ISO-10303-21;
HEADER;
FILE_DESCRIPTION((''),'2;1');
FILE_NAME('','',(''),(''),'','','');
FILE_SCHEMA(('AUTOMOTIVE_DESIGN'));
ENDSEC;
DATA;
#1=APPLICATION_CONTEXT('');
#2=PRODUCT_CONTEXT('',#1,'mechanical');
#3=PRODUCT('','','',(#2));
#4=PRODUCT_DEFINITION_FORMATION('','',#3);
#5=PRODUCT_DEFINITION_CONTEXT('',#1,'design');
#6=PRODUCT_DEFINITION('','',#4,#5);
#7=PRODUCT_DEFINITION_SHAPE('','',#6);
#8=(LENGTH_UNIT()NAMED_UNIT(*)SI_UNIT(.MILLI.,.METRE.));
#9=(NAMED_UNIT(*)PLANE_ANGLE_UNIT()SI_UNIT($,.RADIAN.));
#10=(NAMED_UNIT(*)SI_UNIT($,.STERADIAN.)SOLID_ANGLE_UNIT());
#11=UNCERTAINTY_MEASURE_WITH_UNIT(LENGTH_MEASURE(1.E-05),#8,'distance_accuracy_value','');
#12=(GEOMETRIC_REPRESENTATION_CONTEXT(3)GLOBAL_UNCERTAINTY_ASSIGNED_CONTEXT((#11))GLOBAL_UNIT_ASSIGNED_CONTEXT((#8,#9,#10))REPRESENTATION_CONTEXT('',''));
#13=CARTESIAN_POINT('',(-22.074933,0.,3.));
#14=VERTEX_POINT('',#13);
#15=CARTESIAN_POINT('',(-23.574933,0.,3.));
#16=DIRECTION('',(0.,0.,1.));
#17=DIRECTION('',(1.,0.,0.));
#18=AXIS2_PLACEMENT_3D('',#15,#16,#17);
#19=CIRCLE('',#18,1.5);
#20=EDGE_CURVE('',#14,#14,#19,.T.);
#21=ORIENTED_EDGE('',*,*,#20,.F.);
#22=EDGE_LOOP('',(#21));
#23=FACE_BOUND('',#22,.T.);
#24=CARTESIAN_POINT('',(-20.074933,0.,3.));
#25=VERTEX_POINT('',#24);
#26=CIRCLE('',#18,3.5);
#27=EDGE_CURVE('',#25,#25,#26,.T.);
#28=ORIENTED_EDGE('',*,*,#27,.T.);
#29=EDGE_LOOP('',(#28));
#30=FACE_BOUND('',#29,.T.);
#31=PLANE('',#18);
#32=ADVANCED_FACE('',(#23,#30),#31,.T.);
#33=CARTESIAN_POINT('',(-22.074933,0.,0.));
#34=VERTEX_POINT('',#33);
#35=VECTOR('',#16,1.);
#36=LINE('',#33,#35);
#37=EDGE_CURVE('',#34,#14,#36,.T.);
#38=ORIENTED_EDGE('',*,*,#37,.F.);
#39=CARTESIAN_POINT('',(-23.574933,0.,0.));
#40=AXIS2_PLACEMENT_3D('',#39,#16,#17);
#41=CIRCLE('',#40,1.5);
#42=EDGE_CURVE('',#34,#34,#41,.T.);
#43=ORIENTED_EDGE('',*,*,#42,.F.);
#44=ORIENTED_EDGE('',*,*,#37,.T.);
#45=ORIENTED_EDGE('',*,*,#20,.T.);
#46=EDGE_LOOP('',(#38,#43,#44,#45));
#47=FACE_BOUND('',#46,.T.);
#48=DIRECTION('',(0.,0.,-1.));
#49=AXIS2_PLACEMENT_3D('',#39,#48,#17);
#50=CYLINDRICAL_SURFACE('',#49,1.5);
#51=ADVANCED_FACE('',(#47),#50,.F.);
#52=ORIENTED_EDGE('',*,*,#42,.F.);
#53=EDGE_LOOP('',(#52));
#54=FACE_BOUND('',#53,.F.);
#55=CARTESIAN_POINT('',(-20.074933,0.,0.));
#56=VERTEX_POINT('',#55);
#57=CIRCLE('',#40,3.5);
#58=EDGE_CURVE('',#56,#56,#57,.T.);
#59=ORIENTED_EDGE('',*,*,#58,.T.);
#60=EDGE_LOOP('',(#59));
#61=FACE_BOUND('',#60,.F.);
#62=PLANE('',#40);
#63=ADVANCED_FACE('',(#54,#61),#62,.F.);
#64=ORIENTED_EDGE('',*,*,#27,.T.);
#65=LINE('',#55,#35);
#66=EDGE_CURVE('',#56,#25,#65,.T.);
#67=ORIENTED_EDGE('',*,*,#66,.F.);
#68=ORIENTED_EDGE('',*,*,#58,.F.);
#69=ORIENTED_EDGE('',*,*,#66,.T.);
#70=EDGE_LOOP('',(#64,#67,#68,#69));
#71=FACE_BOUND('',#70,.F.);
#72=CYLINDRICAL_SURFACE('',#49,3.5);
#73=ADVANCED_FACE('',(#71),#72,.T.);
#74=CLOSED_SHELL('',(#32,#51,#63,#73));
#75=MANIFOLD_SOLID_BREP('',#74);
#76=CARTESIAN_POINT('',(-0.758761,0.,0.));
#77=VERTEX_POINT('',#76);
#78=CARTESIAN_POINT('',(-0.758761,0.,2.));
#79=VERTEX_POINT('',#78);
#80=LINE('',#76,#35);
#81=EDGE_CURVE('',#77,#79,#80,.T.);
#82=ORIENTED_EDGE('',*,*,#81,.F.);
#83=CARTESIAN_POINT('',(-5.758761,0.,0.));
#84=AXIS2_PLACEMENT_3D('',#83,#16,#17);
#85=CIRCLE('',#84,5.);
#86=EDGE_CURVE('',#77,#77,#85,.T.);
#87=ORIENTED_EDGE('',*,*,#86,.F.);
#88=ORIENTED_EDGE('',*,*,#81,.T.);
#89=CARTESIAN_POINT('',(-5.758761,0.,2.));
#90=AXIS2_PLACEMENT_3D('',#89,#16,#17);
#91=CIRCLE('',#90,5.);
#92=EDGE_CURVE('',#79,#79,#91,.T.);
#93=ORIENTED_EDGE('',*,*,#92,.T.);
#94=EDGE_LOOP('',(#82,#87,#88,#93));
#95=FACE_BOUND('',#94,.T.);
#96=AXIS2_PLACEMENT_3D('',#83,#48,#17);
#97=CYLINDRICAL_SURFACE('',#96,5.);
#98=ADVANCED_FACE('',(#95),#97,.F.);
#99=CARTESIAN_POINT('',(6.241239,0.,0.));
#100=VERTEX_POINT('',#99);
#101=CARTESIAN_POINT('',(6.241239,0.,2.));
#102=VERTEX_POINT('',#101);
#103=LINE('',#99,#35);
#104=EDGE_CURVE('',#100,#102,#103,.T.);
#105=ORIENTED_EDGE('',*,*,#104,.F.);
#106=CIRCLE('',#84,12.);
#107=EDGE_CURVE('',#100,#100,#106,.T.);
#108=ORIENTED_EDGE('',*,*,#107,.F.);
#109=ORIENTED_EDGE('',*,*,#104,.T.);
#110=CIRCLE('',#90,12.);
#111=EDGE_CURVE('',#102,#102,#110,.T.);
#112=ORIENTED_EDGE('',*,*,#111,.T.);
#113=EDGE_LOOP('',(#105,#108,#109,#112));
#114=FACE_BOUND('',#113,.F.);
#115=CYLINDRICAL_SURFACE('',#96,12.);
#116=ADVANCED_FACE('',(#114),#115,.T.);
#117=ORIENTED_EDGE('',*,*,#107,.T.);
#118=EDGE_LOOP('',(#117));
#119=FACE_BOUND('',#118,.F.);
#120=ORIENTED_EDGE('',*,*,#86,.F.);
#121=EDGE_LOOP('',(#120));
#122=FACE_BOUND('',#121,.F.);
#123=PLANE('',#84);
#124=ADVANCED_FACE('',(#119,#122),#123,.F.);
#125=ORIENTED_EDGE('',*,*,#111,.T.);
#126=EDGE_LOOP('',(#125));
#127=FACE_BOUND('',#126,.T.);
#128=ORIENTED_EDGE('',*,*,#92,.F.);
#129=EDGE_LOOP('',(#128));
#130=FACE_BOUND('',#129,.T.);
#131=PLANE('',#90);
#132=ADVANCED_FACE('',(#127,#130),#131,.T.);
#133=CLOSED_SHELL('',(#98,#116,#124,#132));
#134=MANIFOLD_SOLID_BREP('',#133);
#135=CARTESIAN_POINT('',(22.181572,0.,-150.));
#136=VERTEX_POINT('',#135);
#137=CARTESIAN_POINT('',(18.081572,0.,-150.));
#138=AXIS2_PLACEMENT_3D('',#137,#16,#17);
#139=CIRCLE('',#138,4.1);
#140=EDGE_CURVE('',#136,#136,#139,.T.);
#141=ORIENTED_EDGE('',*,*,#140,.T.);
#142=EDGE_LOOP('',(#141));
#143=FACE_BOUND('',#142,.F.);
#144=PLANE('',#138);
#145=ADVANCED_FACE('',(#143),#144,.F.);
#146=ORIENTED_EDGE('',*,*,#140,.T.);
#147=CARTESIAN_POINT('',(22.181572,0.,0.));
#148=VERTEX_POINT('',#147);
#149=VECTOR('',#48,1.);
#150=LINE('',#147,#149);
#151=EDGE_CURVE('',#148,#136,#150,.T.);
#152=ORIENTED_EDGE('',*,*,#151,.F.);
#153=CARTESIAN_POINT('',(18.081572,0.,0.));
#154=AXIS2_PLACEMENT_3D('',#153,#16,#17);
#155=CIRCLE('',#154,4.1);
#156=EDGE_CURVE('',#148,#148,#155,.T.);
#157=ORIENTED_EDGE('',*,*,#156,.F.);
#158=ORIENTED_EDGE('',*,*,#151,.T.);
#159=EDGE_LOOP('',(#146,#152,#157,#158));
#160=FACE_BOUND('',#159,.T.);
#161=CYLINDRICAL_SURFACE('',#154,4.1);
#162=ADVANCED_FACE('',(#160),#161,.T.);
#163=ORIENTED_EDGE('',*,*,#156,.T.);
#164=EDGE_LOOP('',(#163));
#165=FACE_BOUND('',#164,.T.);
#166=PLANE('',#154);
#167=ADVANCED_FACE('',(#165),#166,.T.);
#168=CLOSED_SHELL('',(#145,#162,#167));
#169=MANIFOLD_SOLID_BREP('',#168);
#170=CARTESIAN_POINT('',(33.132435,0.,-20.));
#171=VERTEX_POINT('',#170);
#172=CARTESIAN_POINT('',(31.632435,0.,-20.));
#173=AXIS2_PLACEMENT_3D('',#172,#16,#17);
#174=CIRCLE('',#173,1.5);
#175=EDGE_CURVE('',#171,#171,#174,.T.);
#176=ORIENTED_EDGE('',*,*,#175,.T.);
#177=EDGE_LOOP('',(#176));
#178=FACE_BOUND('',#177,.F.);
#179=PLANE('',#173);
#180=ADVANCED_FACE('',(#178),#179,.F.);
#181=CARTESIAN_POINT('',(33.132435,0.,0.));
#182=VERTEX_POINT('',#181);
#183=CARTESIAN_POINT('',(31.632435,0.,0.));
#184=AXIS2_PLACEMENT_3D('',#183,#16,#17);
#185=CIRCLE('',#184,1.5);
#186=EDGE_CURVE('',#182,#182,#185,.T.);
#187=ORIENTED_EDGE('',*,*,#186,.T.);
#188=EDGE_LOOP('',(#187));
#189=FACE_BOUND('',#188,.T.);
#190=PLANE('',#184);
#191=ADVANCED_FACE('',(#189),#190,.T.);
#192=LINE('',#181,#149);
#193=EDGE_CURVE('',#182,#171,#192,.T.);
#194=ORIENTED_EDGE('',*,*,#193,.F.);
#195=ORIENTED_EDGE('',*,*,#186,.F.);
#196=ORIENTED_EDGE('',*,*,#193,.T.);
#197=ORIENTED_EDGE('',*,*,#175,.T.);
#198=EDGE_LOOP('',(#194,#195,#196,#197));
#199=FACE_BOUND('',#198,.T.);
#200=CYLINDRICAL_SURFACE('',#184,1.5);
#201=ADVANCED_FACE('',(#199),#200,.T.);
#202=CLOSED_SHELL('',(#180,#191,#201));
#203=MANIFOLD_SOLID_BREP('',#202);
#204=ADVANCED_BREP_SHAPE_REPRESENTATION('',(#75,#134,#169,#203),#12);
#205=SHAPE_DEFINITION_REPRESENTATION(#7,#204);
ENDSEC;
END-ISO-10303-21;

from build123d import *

# Parameters (mm, degrees)
F0_R     = 3.5
F0_R_2   = 1.5
F1_DEPTH = 3
F0_R_3   = 12
F0_R_4   = 5
F2_DEPTH = 2
F0_R_5   = 4.1
F3_DEPTH = 150
F4_DEPTH = 20


with BuildPart() as f1:
    # F0 (on Top) → F1 (new body)
    with BuildSketch(Plane.XY):
        with Locations((-23.574933, 0)):
            Circle(F0_R)
        with Locations((-23.574933, 0)):
            Circle(F0_R_2, mode=Mode.SUBTRACT)
    extrude(amount=F1_DEPTH)


with BuildPart() as f2:
    # F0 (on Top) → F2 (new body)
    with BuildSketch(Plane.XY):
        with Locations((-5.758761, 0)):
            Circle(F0_R_3)
        with Locations((-5.758761, 0)):
            Circle(F0_R_4, mode=Mode.SUBTRACT)
    extrude(amount=F2_DEPTH)


with BuildPart() as f3:
    # F0 (on Top) → F3 (new body)
    with BuildSketch(Plane.XY):
        with Locations((18.081572, 0)):
            Circle(F0_R_5)
    extrude(amount=-F3_DEPTH)


with BuildPart() as f4:
    # F0 (on Top) → F4 (new body)
    with BuildSketch(Plane.XY):
        with Locations((31.632435, 0)):
            Circle(F0_R_2)
    extrude(amount=-F4_DEPTH)


solid = Compound([f1.part, f2.part, f3.part, f4.part])
